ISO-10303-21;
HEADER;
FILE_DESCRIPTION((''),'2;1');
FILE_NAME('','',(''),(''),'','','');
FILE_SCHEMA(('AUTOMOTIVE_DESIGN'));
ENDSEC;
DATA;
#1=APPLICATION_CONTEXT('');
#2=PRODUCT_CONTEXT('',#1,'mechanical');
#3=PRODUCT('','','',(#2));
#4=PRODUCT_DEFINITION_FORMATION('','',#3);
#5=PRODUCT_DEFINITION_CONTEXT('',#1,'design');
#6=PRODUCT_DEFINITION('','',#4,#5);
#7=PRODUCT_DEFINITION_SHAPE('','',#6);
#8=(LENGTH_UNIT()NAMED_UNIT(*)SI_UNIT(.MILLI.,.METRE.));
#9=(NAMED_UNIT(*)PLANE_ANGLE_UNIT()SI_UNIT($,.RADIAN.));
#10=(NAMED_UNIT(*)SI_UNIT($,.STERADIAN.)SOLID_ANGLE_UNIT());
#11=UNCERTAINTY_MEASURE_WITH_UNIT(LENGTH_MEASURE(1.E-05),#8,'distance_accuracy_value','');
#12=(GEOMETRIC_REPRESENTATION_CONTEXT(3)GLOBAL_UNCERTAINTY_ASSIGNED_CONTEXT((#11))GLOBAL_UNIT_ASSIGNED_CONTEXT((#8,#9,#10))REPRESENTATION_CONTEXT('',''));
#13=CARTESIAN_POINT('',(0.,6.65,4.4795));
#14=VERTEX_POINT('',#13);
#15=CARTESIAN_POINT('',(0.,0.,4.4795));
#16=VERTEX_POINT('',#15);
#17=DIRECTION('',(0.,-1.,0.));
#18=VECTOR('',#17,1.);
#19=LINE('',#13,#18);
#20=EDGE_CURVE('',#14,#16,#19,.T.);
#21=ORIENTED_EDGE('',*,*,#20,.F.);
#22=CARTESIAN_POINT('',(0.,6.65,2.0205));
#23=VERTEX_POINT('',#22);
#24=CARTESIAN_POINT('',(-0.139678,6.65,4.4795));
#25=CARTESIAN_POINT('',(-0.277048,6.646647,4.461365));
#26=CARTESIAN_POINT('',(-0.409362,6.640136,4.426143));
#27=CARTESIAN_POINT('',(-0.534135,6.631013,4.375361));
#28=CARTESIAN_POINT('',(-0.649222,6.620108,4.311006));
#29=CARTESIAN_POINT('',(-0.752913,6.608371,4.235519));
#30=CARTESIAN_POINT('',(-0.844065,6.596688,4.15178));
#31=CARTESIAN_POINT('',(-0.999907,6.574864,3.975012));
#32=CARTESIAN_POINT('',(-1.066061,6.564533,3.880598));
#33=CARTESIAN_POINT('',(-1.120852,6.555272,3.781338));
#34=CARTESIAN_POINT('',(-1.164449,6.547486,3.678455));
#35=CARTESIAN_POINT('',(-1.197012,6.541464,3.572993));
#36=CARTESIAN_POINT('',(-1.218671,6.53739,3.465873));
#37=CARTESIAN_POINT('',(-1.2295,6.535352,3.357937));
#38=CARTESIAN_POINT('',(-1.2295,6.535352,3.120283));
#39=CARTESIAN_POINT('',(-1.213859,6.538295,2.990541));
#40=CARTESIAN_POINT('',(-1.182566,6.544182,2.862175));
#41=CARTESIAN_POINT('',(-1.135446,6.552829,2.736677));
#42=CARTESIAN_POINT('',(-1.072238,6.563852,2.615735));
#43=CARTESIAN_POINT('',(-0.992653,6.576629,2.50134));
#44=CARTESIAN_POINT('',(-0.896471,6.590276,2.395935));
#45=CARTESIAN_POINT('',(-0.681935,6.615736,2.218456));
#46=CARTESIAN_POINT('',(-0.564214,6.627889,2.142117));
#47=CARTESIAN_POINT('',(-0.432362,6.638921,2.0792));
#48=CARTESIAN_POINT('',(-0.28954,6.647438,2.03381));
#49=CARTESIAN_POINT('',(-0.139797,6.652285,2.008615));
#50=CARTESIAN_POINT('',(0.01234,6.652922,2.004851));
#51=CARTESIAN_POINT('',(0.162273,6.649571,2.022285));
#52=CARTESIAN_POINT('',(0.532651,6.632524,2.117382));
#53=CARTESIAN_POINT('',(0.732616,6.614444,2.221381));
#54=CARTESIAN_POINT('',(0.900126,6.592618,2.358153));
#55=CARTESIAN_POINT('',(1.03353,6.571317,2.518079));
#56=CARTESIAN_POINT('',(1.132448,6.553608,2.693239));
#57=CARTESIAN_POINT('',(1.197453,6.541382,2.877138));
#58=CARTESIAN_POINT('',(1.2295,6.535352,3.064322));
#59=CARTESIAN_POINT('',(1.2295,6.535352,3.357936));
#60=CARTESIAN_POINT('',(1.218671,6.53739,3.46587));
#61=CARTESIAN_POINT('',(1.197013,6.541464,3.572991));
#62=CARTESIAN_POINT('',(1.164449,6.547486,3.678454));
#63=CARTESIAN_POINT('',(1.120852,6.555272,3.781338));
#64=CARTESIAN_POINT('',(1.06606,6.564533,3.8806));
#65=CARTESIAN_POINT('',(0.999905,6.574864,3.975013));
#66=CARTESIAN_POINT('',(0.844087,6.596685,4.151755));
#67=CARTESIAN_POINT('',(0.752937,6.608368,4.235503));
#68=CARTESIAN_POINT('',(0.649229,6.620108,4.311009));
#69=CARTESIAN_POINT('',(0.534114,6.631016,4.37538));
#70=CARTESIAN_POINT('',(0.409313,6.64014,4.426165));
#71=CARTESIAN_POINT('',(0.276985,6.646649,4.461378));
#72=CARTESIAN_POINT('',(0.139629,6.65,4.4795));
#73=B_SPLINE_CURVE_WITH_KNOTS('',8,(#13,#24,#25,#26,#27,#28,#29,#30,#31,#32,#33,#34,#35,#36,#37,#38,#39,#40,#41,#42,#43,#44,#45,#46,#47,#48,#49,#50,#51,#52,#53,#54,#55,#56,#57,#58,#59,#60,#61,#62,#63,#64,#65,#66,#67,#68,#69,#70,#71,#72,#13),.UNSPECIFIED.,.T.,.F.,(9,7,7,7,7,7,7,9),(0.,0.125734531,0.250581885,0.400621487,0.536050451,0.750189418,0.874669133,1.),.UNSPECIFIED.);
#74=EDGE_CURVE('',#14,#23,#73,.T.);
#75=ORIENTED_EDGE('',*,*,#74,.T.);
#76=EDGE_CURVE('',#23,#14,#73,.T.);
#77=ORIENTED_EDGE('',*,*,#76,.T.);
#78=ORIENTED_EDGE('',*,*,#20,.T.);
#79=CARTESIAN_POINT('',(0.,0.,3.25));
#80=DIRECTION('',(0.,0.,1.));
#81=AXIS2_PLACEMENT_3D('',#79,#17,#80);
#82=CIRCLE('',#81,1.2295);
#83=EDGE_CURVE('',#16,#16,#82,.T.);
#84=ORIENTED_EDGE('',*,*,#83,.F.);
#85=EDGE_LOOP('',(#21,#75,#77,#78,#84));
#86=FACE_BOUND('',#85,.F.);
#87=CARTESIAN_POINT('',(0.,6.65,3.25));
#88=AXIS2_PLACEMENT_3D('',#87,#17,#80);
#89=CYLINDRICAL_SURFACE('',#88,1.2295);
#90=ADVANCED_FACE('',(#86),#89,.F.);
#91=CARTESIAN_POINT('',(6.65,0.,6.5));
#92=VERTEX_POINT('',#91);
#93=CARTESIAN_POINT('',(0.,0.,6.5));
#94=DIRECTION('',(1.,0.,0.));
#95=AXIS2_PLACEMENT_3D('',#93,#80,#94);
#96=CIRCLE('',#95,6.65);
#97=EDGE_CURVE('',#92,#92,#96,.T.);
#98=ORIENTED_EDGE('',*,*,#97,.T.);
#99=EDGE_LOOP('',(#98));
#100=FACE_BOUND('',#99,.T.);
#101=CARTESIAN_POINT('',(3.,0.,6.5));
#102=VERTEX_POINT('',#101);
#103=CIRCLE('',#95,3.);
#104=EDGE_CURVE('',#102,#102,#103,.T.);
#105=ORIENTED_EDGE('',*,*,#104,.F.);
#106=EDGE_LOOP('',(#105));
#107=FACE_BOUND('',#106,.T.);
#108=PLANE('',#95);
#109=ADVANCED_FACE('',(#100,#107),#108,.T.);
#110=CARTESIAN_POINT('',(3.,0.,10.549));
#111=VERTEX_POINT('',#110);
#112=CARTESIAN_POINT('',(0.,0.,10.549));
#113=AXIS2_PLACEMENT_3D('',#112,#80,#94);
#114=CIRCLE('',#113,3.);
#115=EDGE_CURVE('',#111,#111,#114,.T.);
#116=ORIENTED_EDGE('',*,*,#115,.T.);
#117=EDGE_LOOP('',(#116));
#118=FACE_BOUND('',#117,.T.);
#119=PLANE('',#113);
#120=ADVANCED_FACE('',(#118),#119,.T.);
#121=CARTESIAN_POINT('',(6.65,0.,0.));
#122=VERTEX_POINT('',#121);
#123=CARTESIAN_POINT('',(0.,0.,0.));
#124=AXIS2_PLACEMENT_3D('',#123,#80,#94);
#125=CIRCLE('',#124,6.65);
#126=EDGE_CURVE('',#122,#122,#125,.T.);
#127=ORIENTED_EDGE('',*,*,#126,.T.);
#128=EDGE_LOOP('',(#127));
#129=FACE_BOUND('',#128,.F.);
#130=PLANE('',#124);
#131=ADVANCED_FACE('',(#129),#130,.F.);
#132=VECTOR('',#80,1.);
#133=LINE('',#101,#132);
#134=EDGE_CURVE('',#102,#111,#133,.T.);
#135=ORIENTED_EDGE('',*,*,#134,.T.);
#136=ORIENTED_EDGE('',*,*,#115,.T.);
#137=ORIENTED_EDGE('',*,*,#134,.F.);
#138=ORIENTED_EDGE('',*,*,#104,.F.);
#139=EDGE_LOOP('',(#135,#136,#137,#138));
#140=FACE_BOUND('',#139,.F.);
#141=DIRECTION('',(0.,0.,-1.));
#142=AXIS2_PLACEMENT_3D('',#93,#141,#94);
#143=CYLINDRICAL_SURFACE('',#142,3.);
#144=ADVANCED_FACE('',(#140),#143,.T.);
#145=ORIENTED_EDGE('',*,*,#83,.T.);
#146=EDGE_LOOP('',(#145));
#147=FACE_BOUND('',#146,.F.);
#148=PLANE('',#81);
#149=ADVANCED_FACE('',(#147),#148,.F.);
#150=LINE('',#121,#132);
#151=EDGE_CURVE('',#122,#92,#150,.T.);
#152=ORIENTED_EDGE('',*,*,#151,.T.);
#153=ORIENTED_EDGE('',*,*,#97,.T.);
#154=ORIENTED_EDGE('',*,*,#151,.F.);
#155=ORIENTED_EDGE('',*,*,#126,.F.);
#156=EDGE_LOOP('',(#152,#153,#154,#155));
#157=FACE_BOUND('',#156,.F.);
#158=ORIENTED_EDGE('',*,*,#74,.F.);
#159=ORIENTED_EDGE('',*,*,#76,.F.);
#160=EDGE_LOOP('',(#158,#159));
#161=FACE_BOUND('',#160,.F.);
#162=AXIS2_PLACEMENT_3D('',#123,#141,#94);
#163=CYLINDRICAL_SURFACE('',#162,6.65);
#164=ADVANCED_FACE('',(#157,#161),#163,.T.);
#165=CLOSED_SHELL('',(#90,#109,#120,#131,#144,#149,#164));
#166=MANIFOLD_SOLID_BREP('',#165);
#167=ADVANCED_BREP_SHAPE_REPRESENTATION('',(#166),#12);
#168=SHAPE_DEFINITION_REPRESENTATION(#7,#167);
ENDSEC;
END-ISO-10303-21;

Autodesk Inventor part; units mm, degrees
ref_plane "YZ Plane" through (0, 0, 0) normal (1, 0, 0) x (0, 1, 0)
ref_plane "XZ Plane" through (0, 0, 0) normal (0, 1, 0) x (-1, 0, 0)
sketch "Sketch1" plane through (0, 0, 0) normal (0, 0, 1) x (1, 0, 0)
  circle A0 centre (0, 0) radius 6.65
  dimension "d0" = 13.3
extrude "Extrusion1" add sketch "Sketch1" along normal blind 6.5
ref_plane "Work Plane1" through (-6.65, 6.65, 6.5) normal (0, 1, 0) x (1, 0, 0)
sketch "Sketch3" plane through (-6.65, 6.65, 6.5) normal (0, 1, 0) x (1, 0, 0)
  circle A0 centre (6.65, 3.25) radius 1.2
  dimension "d9" = 2.4
hole "Hole1" at (0, 6.65, 3.25) direction (0, -1, 0) diameter 2.459 depth 6.65 thread size "M3x0.5" designation "M3" class "6H" standard "GB Metric profile"
sketch "Sketch4" plane through (0, 0, 6.5) normal (0, 0, 1) x (1, 0, 0)
  circle A0 centre (0, 0) radius 6.65 projected
  circle A1 centre (0, 0) radius 3
  dimension "d17" = 6
extrude "Extrusion3" add sketch "Sketch4" along normal blind 4.049 contours A1
properties part number "hridel kuzelova kolecka"
